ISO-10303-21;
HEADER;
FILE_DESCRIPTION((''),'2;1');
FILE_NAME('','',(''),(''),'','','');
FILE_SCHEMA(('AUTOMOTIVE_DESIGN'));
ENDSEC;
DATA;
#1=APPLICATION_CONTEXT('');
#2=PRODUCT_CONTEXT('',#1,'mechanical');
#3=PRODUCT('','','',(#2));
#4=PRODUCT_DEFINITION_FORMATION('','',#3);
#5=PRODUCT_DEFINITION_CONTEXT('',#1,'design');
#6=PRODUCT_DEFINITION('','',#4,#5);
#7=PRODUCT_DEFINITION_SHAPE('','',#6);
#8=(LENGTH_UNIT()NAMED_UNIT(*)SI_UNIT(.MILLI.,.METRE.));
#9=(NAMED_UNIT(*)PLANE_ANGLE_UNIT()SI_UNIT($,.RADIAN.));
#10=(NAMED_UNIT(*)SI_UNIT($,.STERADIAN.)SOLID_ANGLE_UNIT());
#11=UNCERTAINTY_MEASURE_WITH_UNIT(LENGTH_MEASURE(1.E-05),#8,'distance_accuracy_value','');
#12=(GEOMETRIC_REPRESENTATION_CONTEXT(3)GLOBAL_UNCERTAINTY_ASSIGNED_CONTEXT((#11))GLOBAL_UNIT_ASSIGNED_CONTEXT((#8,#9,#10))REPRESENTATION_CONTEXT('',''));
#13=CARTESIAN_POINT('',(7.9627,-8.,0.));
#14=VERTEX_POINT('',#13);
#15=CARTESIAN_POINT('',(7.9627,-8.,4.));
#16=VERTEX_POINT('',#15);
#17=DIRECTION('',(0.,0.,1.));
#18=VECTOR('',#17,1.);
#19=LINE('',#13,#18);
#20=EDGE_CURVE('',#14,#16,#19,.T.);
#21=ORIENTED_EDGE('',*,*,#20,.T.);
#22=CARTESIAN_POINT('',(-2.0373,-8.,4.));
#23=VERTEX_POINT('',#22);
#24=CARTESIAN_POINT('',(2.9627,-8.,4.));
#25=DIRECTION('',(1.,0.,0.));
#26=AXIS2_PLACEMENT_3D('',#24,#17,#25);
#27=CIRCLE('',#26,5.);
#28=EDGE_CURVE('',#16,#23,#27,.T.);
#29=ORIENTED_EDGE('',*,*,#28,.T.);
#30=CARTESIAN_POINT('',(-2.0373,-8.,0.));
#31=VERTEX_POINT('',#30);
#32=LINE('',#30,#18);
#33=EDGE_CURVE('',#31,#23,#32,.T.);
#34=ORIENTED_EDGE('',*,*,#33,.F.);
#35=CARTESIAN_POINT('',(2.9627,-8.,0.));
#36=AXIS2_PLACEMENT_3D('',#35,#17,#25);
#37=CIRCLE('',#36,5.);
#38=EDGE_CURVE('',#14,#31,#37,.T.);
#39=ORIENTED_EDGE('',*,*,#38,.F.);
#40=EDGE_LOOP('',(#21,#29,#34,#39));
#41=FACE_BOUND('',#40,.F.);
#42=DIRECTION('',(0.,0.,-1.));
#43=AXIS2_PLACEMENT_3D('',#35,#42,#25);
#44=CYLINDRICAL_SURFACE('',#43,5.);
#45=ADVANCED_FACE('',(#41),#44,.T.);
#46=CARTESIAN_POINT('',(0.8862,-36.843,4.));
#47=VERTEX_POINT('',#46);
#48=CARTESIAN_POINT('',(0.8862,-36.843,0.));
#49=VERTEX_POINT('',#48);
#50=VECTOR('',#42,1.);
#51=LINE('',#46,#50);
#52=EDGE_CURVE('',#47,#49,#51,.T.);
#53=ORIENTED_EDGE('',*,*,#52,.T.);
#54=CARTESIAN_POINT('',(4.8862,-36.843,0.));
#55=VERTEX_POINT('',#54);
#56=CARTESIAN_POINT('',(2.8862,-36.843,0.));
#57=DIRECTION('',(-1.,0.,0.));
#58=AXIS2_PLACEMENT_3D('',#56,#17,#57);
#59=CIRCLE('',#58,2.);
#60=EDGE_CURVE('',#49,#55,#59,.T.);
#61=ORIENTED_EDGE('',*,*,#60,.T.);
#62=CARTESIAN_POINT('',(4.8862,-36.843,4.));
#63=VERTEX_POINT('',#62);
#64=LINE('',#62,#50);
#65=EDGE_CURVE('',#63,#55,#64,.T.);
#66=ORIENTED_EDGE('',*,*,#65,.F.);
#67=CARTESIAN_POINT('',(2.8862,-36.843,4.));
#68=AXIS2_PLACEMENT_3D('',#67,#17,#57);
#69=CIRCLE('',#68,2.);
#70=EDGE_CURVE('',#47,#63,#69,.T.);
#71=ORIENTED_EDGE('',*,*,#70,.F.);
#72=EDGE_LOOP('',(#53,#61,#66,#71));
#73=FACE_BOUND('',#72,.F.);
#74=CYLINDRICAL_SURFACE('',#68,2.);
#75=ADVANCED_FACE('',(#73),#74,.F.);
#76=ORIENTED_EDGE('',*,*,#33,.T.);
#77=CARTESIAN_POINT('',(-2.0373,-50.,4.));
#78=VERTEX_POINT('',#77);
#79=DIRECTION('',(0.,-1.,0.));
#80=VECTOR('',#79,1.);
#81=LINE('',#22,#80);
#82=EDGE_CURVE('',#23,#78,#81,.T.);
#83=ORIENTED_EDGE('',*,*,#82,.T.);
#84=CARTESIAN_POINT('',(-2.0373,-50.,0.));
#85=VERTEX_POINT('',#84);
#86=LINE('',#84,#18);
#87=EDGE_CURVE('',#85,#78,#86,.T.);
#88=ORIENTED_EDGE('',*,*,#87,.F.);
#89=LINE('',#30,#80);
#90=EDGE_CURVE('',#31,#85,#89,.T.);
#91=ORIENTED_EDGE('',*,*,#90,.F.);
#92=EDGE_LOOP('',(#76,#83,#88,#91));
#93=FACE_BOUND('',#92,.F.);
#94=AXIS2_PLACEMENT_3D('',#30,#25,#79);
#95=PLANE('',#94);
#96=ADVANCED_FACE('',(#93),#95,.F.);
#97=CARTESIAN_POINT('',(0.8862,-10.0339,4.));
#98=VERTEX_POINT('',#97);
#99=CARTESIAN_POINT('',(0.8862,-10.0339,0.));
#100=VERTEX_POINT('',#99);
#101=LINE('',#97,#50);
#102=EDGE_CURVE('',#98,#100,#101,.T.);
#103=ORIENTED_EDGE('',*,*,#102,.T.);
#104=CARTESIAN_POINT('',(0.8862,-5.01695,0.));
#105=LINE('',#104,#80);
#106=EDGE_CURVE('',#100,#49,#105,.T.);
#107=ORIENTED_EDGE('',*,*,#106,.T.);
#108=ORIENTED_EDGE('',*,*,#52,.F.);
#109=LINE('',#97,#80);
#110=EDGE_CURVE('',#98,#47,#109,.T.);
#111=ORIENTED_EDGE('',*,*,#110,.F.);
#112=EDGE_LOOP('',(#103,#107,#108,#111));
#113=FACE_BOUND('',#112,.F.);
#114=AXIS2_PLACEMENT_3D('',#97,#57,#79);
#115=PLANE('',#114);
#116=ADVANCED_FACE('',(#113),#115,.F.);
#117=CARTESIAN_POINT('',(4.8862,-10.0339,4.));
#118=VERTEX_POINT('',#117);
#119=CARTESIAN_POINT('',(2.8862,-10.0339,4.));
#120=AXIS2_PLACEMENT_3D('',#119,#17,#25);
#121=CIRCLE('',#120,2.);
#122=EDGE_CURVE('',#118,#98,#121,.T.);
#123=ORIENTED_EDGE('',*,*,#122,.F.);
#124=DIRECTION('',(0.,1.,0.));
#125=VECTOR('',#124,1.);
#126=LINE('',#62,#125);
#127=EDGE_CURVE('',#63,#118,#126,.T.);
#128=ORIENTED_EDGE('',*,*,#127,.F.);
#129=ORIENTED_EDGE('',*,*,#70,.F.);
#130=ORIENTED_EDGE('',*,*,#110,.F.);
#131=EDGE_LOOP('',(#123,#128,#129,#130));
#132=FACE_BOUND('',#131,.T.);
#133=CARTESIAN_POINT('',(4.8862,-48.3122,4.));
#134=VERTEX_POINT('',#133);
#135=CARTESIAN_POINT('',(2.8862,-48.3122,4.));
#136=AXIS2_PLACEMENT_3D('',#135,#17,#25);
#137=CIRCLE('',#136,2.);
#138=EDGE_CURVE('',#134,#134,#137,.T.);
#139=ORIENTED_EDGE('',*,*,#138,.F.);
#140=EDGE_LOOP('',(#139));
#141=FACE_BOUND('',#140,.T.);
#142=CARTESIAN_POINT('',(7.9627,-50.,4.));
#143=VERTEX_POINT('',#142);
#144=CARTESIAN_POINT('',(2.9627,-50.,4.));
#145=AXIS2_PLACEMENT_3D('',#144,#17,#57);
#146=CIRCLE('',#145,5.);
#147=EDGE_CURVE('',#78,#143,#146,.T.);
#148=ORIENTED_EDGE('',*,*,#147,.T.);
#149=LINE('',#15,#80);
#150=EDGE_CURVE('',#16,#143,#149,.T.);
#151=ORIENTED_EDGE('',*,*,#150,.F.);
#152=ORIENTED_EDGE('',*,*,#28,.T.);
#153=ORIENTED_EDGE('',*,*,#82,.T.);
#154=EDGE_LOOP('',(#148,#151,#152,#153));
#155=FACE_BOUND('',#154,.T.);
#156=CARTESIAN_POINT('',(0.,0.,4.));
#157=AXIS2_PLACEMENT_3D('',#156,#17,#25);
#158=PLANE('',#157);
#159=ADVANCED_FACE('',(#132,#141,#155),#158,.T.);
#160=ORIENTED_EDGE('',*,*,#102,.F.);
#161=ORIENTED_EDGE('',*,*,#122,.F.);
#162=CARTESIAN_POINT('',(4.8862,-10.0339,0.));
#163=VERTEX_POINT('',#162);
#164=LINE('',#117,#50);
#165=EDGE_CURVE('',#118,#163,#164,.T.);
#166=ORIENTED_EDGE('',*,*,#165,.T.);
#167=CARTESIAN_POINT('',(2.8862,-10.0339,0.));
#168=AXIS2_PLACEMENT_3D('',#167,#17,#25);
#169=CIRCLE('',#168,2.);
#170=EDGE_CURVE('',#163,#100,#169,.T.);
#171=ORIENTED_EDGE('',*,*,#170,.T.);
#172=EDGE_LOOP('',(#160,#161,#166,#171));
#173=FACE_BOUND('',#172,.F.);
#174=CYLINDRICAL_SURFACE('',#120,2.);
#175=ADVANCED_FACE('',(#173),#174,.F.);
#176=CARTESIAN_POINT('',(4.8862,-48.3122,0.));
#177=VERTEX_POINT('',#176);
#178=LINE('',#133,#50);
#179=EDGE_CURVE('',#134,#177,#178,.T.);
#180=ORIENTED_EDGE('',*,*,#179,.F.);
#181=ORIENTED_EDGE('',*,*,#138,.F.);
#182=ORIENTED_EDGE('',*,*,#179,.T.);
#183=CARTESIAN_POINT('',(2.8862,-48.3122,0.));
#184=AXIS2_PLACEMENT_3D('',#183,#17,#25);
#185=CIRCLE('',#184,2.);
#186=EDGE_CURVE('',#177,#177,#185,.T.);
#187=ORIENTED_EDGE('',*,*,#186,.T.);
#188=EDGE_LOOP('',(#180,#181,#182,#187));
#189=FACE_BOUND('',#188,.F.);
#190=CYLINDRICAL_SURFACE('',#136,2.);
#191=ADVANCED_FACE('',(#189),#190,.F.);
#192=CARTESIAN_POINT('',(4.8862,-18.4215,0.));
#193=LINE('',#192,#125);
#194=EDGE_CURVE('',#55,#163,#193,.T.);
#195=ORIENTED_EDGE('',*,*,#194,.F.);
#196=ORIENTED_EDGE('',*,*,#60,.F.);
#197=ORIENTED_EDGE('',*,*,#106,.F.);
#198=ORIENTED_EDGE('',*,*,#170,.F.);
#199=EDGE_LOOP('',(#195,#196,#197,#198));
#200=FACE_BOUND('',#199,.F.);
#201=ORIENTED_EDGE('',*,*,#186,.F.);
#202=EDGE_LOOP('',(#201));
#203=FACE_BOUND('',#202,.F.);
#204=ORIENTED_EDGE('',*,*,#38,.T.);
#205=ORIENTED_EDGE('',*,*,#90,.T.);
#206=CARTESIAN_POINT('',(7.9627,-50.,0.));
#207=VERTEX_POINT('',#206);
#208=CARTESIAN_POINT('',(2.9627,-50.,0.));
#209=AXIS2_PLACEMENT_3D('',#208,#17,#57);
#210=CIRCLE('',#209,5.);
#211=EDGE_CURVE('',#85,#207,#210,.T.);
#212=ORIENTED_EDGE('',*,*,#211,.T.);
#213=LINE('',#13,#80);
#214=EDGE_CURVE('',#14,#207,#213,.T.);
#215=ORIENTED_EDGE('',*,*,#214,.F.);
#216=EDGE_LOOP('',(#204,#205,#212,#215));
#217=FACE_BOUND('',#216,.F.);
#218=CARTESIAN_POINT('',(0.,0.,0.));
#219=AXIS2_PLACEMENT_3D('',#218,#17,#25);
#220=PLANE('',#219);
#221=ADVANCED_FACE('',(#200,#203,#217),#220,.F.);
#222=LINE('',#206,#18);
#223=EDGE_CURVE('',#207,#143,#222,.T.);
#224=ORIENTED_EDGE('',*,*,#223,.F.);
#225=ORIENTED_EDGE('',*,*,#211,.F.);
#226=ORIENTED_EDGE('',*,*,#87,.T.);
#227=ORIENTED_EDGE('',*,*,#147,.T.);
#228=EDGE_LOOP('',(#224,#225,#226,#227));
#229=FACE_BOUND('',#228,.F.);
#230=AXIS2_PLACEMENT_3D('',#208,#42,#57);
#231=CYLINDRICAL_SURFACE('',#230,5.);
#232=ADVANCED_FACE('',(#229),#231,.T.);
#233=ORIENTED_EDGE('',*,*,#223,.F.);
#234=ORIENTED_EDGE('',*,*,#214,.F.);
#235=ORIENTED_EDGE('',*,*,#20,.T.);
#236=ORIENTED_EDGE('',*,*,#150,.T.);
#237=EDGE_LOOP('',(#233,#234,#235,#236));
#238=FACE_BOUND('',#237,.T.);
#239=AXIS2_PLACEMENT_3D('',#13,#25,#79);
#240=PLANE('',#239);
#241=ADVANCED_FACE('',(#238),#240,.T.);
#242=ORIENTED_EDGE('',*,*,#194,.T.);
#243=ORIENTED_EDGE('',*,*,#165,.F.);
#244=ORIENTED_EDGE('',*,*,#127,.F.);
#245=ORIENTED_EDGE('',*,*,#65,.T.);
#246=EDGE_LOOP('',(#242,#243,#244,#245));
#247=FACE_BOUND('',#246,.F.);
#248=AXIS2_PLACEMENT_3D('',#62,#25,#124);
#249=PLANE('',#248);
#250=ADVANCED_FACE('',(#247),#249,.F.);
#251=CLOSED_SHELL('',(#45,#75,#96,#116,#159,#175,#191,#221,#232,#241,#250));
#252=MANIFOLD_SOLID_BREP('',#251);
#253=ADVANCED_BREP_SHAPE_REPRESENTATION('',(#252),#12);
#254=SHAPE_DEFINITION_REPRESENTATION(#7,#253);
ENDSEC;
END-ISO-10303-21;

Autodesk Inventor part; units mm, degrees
ref_plane "YZ Plane" through (0, 0, 0) normal (1, 0, 0) x (0, 1, 0)
ref_plane "XZ Plane" through (0, 0, 0) normal (0, 1, 0) x (-1, 0, 0)
ref_plane "XY Plane" through (0, 0, 0) normal (0, 0, 1) x (1, 0, 0)
sketch "Эскиз1" plane through (0, 0, 0) normal (0, 0, 1) x (1, 0, 0)
  arc A0 (7.9627, -8) -> (-2.0373, -8) centre (2.9627, -8) ccw
  line L0 (-2.0373, -8) -> (-2.0373, -50)
  line L1 (7.9627, -8) -> (7.9627, -50)
  arc A1 (-2.0373, -50) -> (7.9627, -50) centre (2.9627, -50) ccw
  dimension "d7" = 42
  dimension "d8" = 5
extrude "Выдавливание1" add sketch "Эскиз1" along normal blind 4
sketch "Эскиз2" plane through (0, 0, 4) normal (0, 0, 1) x (1, 0, 0)
  circle A0 centre (2.8862, -48.3122) radius 2
  arc A1 (4.8862, -10.0339) -> (0.8862, -10.0339) centre (2.8862, -10.0339) ccw
  arc A2 (0.8862, -36.843) -> (4.8862, -36.843) centre (2.8862, -36.843) ccw
  line L0 (0.8862, -10.0339) -> (0.8862, -36.843)
  line L1 (4.8862, -36.843) -> (4.8862, -10.0339)
  point P0 (0, 0)
  dimension "d9" = 4
  dimension "d10" = 4
  dimension "d11" = 4
extrude "Выдавливание2" cut sketch "Эскиз2" against normal through all
properties part number "фанерная качалка"
